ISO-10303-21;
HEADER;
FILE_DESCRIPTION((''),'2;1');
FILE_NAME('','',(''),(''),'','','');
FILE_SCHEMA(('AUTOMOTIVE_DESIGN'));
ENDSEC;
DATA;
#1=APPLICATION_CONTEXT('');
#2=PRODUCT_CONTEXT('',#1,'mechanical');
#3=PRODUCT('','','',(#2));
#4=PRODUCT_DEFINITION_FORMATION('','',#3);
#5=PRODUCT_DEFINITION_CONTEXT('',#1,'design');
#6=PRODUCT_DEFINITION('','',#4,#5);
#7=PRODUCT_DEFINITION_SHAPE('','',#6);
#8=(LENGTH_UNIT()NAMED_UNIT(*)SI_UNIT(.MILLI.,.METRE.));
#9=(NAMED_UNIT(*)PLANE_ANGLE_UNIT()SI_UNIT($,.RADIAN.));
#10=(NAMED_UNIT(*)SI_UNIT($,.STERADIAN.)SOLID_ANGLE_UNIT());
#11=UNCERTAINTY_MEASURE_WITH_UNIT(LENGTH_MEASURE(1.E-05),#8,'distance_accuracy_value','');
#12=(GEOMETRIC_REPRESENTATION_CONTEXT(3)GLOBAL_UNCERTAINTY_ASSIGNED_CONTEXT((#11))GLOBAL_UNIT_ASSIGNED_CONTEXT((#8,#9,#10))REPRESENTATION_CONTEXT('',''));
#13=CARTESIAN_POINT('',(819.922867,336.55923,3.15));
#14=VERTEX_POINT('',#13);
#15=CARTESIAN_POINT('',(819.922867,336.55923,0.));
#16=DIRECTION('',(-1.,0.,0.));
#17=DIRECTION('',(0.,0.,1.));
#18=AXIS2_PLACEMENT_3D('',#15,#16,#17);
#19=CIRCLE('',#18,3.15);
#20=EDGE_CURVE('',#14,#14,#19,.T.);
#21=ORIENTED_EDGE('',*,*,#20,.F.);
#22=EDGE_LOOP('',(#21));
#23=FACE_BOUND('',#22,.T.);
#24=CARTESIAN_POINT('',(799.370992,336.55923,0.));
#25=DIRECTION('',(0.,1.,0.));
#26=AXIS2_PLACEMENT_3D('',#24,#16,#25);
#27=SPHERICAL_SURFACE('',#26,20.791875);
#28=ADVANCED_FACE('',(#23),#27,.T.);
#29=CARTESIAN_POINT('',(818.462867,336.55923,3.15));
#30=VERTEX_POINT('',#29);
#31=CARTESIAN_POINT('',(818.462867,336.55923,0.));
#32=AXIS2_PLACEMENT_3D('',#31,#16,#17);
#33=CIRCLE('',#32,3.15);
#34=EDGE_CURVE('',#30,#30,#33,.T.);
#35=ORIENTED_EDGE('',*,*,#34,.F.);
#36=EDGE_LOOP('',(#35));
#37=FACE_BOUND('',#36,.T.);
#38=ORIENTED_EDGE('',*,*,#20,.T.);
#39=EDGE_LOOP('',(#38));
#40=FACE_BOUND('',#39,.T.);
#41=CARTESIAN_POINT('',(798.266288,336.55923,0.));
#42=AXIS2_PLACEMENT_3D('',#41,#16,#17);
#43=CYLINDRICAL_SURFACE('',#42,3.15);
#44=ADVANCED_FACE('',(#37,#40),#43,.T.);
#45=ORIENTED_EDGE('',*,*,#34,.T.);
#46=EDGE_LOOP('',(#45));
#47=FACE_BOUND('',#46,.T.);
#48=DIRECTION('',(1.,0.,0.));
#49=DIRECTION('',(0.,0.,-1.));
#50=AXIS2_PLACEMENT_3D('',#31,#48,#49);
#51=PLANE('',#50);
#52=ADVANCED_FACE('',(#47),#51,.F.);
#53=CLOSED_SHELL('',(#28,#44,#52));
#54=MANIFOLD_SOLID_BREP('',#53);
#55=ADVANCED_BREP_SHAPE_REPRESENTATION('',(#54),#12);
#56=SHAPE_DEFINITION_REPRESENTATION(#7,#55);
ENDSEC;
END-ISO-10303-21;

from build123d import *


with BuildPart() as part:
    # 草图1 → 旋转1 (revolve)
    with BuildSketch(Plane.XY):
        with BuildLine():
            Line((818.462867468, 336.559230444), (818.462867468, 339.709230444))
            Line((818.462867468, 339.709230444), (819.922867468, 339.709230444))
            ThreePointArc((819.922867468, 339.709230444), (820.102780645, 338.138795257), (820.162867468, 336.559230444))
            Line((820.162867468, 336.559230444), (818.462867468, 336.559230444))
        make_face()
    revolve(axis=Axis((798.266287632, 336.559230444, 0), (1, 0, 0)))


solid = part.part
